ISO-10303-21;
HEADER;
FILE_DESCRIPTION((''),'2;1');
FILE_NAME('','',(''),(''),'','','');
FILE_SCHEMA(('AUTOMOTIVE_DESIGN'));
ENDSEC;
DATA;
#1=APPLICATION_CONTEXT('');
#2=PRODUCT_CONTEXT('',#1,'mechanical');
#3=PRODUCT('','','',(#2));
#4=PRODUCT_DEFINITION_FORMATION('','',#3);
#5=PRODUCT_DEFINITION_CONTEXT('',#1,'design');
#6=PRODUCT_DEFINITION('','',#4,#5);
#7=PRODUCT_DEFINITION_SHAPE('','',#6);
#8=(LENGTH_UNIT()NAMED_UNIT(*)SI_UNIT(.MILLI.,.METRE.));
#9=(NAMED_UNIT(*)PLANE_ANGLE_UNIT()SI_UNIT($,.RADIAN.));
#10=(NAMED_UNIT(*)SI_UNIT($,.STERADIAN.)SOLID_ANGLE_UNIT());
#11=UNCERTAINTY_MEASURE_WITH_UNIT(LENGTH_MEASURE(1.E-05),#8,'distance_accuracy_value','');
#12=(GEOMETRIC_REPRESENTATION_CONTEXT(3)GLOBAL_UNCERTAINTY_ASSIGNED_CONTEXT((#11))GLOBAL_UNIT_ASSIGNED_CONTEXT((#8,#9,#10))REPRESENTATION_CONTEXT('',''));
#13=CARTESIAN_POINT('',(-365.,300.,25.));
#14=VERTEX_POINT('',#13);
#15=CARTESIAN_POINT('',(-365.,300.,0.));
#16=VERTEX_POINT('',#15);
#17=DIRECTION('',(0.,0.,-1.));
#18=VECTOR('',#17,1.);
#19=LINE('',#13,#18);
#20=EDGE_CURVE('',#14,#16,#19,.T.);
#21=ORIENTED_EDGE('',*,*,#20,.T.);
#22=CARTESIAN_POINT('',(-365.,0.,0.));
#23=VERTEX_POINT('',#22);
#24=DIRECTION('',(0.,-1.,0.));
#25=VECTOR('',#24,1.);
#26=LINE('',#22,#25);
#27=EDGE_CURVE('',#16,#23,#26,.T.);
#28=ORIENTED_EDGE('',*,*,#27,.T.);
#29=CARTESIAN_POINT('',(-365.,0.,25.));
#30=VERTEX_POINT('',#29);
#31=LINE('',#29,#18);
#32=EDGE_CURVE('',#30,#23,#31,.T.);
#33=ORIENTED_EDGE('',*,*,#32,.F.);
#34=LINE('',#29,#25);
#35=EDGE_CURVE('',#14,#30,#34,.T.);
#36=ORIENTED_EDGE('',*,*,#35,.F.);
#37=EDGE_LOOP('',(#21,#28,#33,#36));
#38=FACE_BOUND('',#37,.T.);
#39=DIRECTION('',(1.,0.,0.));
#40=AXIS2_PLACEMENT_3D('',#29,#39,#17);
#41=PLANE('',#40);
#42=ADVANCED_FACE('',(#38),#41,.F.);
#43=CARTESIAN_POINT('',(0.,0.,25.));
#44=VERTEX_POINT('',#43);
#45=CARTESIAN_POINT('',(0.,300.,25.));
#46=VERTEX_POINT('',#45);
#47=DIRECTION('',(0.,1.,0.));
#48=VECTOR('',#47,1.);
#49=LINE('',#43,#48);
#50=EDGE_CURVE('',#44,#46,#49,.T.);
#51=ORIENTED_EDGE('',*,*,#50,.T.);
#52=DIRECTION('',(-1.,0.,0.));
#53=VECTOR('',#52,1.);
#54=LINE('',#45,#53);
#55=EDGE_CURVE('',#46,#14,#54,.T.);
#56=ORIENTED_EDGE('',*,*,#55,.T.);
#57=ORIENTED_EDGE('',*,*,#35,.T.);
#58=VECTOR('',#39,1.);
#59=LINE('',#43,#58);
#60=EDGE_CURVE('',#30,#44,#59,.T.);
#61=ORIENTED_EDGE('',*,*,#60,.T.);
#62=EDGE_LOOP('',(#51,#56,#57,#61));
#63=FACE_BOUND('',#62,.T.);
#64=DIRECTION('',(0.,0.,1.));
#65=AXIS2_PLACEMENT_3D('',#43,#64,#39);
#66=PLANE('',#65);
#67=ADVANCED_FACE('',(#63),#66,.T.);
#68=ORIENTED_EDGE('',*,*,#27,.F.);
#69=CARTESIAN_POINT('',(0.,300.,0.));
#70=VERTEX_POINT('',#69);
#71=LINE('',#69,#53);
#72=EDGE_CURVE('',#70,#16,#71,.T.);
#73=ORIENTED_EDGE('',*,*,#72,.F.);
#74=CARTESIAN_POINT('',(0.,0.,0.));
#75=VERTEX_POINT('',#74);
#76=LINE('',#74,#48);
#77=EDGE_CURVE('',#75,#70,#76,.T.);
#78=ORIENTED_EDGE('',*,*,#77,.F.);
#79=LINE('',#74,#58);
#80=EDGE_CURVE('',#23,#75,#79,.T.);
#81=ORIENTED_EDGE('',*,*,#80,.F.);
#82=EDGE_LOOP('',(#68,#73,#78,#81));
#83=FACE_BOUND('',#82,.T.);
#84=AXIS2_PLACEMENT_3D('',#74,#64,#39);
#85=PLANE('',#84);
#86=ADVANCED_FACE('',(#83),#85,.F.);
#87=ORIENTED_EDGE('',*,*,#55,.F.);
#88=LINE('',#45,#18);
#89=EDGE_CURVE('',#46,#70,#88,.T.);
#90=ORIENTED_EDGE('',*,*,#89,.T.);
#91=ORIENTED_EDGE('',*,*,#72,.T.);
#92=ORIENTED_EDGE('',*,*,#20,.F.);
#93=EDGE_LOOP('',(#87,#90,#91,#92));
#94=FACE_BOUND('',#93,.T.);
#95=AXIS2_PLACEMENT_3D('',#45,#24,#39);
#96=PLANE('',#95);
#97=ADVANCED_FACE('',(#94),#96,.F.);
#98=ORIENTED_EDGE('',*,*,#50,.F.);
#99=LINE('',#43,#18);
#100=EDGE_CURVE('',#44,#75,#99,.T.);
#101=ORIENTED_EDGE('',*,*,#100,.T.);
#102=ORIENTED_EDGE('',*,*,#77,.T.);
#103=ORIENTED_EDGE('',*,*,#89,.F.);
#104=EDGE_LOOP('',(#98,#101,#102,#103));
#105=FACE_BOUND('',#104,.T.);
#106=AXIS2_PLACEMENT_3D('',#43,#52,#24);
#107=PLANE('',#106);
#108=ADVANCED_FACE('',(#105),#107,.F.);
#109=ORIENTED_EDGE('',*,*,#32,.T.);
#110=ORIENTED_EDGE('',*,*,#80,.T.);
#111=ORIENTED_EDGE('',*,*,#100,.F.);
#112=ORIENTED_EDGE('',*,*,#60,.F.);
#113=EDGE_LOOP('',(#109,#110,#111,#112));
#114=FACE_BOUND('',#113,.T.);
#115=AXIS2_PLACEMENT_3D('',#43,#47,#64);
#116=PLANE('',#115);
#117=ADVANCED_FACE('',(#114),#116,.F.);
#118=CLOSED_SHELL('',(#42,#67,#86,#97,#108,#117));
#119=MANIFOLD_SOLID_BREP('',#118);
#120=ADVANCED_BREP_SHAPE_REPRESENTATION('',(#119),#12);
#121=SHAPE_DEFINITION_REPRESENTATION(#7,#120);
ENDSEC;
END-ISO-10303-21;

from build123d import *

# Parameters (mm, degrees)
ESQUISSE1_W        = 365
ESQUISSE1_H        = 300
BOSS_EXTRU_1_DEPTH = 25


with BuildPart() as part:
    # Esquisse1 → Boss.-Extru.1 (new body)
    with BuildSketch(Plane.XY):
        with Locations((-182.5, 150)):
            Rectangle(ESQUISSE1_W, ESQUISSE1_H)
    extrude(amount=BOSS_EXTRU_1_DEPTH)


solid = part.part
